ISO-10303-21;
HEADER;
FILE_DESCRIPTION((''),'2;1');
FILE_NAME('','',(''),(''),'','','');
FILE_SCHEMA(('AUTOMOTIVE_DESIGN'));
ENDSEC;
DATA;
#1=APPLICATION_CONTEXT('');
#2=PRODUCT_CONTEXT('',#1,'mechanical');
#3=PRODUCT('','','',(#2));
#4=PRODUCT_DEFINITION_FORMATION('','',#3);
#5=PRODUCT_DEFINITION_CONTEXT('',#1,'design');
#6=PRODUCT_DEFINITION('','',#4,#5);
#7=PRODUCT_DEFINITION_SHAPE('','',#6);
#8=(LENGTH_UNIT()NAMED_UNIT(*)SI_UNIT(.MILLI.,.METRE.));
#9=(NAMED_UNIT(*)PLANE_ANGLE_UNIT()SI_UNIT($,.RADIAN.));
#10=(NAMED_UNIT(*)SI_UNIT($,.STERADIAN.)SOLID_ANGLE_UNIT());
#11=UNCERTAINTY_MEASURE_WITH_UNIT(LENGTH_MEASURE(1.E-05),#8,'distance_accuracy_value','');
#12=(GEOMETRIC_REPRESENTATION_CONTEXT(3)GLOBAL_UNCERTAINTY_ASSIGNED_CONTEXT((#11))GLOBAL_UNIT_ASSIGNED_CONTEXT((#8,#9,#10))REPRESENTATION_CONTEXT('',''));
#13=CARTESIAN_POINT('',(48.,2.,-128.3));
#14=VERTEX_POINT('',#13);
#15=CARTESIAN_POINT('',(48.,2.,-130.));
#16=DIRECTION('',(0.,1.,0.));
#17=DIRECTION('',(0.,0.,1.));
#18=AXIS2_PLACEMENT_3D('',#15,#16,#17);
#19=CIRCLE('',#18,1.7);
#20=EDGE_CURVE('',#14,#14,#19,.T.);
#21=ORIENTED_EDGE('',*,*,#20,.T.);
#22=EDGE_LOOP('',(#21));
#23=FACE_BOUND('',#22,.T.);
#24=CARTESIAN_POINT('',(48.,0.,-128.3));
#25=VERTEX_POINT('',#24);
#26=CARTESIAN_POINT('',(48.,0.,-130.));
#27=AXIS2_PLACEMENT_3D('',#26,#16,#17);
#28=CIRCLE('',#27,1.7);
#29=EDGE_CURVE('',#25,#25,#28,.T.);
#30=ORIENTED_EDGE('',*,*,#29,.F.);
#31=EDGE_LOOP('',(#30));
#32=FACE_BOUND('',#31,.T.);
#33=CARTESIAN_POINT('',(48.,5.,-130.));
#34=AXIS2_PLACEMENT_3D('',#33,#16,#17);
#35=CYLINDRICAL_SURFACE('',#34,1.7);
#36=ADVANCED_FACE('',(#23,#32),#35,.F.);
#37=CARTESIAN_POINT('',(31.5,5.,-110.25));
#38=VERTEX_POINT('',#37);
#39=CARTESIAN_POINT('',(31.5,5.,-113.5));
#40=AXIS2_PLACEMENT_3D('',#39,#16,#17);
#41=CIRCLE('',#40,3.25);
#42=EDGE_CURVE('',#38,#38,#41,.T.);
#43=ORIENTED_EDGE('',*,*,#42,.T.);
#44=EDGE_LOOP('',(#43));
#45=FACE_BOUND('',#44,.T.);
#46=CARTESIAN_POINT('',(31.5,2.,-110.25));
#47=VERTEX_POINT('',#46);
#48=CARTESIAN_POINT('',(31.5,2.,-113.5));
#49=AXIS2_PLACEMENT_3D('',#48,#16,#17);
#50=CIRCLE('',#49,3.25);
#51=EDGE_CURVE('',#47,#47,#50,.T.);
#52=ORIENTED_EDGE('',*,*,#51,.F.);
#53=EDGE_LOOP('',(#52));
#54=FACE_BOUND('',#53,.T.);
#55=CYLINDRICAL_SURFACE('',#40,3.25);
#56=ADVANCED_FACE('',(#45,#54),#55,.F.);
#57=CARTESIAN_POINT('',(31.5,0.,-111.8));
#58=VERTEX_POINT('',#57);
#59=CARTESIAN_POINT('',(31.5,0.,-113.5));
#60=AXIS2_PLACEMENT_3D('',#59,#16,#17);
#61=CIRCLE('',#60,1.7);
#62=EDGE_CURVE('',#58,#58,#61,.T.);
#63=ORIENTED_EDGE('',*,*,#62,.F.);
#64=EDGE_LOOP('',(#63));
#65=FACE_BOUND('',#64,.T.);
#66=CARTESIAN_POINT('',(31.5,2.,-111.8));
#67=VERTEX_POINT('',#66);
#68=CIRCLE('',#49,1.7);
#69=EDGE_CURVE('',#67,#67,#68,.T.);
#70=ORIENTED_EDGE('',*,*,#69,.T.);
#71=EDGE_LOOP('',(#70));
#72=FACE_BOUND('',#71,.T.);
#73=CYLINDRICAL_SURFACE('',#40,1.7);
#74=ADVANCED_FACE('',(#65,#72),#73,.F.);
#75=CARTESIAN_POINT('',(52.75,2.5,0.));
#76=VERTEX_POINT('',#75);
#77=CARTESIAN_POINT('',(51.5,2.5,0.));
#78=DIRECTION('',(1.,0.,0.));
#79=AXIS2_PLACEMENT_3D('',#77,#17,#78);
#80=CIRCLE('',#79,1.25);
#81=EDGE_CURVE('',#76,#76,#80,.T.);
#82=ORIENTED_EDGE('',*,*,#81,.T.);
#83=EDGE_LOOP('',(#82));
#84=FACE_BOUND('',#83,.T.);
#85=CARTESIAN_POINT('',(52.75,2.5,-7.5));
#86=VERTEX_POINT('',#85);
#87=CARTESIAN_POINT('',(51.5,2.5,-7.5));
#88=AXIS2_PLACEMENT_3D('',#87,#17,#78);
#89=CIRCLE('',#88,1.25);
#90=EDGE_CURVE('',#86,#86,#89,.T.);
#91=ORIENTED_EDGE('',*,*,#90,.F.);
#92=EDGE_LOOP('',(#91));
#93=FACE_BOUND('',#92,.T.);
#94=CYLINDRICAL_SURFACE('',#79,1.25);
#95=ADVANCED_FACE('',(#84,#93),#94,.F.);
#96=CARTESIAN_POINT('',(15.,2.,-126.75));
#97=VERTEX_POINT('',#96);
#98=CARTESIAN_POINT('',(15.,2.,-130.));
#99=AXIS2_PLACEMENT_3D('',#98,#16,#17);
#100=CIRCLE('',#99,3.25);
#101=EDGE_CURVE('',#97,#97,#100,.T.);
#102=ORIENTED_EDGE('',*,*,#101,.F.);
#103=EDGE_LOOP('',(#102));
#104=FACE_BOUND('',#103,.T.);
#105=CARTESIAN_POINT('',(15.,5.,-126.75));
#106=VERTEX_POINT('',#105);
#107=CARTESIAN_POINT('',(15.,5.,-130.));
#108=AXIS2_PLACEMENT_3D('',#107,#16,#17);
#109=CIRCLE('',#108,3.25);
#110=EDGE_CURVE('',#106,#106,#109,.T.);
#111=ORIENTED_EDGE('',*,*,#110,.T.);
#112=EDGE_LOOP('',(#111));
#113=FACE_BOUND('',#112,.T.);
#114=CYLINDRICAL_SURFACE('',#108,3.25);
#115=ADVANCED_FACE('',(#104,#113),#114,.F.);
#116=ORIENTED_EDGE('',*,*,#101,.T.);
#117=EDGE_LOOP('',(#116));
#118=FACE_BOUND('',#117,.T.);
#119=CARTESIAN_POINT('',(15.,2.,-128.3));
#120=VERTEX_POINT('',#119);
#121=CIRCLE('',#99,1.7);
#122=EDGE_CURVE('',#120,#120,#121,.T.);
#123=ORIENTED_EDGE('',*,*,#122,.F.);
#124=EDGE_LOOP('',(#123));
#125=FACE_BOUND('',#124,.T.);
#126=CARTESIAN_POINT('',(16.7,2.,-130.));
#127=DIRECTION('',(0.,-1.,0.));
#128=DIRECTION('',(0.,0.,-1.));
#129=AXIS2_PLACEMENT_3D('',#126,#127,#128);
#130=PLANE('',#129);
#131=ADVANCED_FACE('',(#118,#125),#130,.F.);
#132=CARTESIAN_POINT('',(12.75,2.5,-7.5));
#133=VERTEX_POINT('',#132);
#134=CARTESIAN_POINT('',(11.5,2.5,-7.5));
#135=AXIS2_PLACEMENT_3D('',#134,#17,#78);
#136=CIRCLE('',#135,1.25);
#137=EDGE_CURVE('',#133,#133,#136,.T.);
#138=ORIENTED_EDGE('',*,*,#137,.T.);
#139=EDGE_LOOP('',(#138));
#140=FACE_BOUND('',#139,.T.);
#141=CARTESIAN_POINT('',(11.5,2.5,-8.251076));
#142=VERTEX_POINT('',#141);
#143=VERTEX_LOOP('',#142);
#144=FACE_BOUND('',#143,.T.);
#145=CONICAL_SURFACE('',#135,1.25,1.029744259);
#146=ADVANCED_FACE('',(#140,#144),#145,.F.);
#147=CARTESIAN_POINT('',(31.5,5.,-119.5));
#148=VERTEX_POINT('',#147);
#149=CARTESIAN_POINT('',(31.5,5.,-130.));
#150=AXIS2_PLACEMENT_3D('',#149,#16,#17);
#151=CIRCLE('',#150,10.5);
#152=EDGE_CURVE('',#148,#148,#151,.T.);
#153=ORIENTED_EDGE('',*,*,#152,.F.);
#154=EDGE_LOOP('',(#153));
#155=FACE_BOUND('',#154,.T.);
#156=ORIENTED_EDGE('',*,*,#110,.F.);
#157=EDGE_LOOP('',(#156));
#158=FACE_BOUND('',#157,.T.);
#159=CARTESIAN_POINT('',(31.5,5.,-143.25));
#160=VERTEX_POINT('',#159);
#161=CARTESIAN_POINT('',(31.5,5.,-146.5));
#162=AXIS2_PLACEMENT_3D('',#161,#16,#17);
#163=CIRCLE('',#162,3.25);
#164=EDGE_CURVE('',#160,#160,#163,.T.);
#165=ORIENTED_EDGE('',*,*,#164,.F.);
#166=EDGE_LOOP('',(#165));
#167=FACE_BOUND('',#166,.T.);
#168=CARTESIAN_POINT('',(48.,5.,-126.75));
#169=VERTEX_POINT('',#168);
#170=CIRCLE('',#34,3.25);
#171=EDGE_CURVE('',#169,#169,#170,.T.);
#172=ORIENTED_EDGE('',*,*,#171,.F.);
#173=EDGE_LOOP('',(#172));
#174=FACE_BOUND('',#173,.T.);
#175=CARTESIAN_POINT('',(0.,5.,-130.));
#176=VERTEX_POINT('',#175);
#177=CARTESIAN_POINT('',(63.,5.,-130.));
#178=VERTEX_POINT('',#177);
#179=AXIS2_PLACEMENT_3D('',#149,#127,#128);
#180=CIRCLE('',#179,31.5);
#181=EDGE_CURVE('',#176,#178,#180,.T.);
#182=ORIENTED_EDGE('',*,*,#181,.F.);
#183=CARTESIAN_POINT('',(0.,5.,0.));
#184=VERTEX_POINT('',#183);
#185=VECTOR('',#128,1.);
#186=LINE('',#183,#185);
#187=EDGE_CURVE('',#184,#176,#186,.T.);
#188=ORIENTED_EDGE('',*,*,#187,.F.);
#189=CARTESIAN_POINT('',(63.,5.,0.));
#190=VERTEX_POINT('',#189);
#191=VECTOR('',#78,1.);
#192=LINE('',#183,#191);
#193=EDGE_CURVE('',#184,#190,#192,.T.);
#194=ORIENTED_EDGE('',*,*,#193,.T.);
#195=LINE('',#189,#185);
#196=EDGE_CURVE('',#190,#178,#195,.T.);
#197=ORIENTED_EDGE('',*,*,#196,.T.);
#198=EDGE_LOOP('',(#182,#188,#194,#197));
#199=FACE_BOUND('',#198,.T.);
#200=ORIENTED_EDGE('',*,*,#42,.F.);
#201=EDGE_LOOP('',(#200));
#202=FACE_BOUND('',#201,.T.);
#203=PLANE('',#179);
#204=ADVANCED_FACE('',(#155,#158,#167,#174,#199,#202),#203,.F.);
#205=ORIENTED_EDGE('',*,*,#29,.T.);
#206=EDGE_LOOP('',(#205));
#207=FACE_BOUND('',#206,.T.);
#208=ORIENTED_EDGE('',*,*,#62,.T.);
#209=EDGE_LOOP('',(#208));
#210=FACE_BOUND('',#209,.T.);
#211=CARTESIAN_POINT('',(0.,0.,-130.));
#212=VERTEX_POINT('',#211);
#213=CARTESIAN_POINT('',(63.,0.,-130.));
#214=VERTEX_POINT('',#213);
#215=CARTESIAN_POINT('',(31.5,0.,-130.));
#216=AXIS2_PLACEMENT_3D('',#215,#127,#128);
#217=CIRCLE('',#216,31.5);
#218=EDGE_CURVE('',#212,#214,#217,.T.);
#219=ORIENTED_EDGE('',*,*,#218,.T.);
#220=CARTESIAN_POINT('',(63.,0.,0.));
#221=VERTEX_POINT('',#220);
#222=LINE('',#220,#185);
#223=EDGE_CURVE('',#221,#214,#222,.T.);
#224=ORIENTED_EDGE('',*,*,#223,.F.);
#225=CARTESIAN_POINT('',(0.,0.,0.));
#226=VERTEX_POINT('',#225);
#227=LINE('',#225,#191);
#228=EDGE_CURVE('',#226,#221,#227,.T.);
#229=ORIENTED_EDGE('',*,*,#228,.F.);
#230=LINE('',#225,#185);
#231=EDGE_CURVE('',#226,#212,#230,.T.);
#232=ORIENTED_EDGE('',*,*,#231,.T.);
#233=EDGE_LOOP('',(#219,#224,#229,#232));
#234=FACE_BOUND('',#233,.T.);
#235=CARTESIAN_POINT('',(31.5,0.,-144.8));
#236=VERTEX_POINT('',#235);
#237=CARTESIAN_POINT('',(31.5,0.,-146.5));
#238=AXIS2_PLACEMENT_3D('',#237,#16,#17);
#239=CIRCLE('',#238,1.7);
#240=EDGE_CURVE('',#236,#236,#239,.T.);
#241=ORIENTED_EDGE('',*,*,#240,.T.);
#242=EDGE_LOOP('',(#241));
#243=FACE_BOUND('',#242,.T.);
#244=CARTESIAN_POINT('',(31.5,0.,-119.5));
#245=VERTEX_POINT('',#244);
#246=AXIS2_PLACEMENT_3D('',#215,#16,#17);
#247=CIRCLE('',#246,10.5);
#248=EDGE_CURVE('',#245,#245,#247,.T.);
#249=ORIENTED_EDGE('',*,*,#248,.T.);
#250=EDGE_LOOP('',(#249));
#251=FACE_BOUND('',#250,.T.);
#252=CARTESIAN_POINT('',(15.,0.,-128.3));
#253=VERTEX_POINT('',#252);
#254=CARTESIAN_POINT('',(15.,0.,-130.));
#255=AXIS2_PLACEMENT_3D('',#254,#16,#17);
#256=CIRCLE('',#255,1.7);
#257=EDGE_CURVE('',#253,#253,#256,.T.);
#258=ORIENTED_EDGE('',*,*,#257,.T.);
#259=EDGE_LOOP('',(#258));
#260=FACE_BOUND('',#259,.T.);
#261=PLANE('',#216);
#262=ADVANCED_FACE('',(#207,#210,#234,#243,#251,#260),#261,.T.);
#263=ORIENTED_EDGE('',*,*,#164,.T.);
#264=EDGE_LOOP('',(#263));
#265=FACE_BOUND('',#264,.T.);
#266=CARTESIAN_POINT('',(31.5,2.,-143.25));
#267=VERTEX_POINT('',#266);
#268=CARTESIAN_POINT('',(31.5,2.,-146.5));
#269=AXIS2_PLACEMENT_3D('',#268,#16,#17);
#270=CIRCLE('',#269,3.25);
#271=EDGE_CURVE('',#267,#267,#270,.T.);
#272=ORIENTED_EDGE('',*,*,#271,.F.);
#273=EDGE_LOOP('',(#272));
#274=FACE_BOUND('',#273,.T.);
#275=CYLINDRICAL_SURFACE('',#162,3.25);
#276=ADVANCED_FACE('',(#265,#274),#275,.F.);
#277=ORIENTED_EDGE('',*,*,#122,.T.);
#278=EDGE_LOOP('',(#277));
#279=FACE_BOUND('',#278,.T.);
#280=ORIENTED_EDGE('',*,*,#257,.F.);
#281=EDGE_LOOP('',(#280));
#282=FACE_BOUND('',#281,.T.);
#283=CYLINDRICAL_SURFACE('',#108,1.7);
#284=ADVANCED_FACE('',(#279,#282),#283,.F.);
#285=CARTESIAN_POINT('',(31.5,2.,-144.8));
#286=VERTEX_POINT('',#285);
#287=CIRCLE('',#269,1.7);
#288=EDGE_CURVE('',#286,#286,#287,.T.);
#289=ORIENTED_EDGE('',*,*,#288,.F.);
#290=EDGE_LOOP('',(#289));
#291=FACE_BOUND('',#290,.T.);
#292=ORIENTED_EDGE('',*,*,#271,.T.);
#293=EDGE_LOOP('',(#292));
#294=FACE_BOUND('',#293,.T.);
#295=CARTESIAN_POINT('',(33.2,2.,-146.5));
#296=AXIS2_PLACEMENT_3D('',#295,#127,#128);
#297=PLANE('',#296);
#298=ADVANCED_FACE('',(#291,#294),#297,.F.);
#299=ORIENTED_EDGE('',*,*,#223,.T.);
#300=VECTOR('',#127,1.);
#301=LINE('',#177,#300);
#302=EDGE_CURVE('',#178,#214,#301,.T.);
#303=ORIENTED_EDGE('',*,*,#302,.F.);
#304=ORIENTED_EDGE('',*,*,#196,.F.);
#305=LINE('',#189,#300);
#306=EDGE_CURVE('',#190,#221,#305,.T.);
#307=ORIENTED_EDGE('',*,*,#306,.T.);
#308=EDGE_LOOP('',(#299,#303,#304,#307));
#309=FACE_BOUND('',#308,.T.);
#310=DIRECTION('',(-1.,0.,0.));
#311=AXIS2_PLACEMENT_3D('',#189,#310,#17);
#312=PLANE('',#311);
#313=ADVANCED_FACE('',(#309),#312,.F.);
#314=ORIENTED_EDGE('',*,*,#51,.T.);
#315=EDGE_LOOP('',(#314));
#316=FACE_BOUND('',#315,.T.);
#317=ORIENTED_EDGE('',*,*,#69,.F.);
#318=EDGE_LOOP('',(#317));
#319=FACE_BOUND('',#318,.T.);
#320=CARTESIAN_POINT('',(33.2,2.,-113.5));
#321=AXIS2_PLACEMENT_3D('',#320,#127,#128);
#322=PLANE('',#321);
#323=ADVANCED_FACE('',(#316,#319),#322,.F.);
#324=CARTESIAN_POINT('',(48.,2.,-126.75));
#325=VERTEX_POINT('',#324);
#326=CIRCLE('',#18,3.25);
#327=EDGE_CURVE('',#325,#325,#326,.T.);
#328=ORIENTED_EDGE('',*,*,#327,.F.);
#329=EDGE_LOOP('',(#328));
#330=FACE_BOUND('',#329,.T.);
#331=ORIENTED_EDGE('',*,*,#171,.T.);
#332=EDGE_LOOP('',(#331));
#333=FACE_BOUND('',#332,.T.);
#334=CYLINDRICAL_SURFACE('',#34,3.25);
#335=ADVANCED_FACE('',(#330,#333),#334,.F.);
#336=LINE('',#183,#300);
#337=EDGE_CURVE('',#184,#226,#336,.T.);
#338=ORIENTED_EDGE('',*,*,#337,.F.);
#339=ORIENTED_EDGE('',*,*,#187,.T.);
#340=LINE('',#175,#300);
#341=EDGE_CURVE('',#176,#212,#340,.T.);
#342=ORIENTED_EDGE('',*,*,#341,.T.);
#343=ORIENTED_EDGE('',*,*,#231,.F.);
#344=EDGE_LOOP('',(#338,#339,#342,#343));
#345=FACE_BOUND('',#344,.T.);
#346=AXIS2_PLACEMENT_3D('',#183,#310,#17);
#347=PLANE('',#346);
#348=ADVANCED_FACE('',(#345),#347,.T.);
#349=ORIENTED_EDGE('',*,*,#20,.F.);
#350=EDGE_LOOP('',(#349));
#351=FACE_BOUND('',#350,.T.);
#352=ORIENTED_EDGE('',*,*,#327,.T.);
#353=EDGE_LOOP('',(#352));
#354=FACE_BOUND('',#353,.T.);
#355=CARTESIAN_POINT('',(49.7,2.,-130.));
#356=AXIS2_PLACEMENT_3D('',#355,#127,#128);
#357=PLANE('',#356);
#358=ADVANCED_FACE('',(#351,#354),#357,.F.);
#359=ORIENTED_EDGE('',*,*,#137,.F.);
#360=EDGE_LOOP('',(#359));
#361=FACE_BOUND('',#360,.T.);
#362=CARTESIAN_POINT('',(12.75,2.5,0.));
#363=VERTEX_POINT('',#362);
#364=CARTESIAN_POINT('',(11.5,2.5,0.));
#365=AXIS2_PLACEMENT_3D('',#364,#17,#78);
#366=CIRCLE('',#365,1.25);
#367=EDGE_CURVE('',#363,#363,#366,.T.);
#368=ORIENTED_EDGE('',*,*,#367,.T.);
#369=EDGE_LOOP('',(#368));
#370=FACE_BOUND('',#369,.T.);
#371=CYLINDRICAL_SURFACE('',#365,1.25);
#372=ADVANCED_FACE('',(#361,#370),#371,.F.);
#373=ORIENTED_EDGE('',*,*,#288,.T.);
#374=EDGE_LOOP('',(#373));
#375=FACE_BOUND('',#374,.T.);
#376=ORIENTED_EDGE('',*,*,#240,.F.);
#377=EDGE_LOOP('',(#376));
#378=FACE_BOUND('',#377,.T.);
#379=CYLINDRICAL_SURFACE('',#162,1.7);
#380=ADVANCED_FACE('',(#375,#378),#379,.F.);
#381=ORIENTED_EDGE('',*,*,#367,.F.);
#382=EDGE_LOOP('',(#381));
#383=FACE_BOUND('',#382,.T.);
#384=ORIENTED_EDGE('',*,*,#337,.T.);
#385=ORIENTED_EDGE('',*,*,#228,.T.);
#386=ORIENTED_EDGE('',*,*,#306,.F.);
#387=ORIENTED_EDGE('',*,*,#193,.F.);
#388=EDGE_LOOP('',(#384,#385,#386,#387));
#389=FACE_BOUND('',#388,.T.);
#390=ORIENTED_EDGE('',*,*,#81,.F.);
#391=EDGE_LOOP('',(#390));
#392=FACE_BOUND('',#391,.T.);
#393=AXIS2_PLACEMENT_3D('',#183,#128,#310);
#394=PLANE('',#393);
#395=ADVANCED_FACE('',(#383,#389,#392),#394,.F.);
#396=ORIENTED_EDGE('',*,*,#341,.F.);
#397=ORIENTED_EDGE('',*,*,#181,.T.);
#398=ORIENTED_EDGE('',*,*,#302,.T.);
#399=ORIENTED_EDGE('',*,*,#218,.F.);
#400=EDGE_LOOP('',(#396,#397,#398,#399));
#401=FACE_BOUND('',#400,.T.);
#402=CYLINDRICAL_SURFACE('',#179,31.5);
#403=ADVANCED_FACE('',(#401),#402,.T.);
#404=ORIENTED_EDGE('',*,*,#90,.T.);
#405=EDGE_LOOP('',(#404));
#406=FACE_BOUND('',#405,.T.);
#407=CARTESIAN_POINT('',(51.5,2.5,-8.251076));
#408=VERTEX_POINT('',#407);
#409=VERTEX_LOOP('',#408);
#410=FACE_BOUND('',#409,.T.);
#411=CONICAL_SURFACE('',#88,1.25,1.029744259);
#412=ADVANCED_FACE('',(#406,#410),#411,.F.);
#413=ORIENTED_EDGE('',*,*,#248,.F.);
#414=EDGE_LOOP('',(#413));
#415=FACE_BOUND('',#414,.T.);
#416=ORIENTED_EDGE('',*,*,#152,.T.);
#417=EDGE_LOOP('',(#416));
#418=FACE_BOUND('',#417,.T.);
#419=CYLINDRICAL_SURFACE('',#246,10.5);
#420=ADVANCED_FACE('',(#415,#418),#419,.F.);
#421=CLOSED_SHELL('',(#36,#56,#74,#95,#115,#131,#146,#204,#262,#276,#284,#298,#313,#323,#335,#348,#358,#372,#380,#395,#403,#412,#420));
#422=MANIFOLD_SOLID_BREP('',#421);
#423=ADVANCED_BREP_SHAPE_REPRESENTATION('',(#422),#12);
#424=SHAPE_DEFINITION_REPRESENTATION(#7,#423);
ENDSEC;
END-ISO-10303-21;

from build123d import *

# Parameters (mm, degrees)
BOSS_EXTRUDE1_DEPTH            = 5
M3X0_5_TAPPED_HOLE1_D          = 2.5
M3X0_5_TAPPED_HOLE1_DEPTH      = 7.5
M3X0_5_TAPPED_HOLE1_TIP        = 0.751075774
CBORE_FOR_M3_SHCS1_D           = 3.4
CBORE_FOR_M3_SHCS1_CBORE_D     = 6.5
CBORE_FOR_M3_SHCS1_CBORE_DEPTH = 3
SKETCH6_R                      = 10.5
CUT_EXTRUDE1_DEPTH             = 174.42505586


with BuildPart() as part:
    # Sketch1 → Boss-Extrude1 (new body)
    with BuildSketch(Plane(origin=(0, 0, 0), x_dir=(1, 0, 0), z_dir=(0, 1, 0))):
        with BuildLine():
            Line((0, 0), (63, 0))
            Line((63, 0), (63, 130))
            ThreePointArc((63, 130), (31.5, 161.5), (0, 130))
            Line((0, 130), (0, 0))
        make_face()
    extrude(amount=BOSS_EXTRUDE1_DEPTH)

    # M3x0.5 Tapped Hole1
    with Locations(Plane.XY):
        with Locations((11.5, 2.5), (51.5, 2.5)):
            Hole(M3X0_5_TAPPED_HOLE1_D / 2, depth=M3X0_5_TAPPED_HOLE1_DEPTH)
            with Locations((0, 0, -(M3X0_5_TAPPED_HOLE1_DEPTH + M3X0_5_TAPPED_HOLE1_TIP / 2))):  # 118° drill point
                Cone(0, M3X0_5_TAPPED_HOLE1_D / 2, M3X0_5_TAPPED_HOLE1_TIP, mode=Mode.SUBTRACT)

    # CBORE for M3 SHCS1 (through all)
    with Locations(Plane(origin=(0, 5, 0), x_dir=(1, 0, 0), z_dir=(0, 1, 0))):
        with Locations((31.5, 113.5), (15, 130), (48, 130), (31.5, 146.5)):
            CounterBoreHole(CBORE_FOR_M3_SHCS1_D / 2, CBORE_FOR_M3_SHCS1_CBORE_D / 2, CBORE_FOR_M3_SHCS1_CBORE_DEPTH)

    # Sketch6 → Cut-Extrude1 (cut, through all)
    with BuildSketch(Plane(origin=(0, 5, 0), x_dir=(1, 0, 0), z_dir=(0, 1, 0))):
        with Locations(Location((31.5, 130, 0), (0, 0, 270))):
            Circle(SKETCH6_R)
    extrude(amount=-CUT_EXTRUDE1_DEPTH, mode=Mode.SUBTRACT)


solid = part.part
